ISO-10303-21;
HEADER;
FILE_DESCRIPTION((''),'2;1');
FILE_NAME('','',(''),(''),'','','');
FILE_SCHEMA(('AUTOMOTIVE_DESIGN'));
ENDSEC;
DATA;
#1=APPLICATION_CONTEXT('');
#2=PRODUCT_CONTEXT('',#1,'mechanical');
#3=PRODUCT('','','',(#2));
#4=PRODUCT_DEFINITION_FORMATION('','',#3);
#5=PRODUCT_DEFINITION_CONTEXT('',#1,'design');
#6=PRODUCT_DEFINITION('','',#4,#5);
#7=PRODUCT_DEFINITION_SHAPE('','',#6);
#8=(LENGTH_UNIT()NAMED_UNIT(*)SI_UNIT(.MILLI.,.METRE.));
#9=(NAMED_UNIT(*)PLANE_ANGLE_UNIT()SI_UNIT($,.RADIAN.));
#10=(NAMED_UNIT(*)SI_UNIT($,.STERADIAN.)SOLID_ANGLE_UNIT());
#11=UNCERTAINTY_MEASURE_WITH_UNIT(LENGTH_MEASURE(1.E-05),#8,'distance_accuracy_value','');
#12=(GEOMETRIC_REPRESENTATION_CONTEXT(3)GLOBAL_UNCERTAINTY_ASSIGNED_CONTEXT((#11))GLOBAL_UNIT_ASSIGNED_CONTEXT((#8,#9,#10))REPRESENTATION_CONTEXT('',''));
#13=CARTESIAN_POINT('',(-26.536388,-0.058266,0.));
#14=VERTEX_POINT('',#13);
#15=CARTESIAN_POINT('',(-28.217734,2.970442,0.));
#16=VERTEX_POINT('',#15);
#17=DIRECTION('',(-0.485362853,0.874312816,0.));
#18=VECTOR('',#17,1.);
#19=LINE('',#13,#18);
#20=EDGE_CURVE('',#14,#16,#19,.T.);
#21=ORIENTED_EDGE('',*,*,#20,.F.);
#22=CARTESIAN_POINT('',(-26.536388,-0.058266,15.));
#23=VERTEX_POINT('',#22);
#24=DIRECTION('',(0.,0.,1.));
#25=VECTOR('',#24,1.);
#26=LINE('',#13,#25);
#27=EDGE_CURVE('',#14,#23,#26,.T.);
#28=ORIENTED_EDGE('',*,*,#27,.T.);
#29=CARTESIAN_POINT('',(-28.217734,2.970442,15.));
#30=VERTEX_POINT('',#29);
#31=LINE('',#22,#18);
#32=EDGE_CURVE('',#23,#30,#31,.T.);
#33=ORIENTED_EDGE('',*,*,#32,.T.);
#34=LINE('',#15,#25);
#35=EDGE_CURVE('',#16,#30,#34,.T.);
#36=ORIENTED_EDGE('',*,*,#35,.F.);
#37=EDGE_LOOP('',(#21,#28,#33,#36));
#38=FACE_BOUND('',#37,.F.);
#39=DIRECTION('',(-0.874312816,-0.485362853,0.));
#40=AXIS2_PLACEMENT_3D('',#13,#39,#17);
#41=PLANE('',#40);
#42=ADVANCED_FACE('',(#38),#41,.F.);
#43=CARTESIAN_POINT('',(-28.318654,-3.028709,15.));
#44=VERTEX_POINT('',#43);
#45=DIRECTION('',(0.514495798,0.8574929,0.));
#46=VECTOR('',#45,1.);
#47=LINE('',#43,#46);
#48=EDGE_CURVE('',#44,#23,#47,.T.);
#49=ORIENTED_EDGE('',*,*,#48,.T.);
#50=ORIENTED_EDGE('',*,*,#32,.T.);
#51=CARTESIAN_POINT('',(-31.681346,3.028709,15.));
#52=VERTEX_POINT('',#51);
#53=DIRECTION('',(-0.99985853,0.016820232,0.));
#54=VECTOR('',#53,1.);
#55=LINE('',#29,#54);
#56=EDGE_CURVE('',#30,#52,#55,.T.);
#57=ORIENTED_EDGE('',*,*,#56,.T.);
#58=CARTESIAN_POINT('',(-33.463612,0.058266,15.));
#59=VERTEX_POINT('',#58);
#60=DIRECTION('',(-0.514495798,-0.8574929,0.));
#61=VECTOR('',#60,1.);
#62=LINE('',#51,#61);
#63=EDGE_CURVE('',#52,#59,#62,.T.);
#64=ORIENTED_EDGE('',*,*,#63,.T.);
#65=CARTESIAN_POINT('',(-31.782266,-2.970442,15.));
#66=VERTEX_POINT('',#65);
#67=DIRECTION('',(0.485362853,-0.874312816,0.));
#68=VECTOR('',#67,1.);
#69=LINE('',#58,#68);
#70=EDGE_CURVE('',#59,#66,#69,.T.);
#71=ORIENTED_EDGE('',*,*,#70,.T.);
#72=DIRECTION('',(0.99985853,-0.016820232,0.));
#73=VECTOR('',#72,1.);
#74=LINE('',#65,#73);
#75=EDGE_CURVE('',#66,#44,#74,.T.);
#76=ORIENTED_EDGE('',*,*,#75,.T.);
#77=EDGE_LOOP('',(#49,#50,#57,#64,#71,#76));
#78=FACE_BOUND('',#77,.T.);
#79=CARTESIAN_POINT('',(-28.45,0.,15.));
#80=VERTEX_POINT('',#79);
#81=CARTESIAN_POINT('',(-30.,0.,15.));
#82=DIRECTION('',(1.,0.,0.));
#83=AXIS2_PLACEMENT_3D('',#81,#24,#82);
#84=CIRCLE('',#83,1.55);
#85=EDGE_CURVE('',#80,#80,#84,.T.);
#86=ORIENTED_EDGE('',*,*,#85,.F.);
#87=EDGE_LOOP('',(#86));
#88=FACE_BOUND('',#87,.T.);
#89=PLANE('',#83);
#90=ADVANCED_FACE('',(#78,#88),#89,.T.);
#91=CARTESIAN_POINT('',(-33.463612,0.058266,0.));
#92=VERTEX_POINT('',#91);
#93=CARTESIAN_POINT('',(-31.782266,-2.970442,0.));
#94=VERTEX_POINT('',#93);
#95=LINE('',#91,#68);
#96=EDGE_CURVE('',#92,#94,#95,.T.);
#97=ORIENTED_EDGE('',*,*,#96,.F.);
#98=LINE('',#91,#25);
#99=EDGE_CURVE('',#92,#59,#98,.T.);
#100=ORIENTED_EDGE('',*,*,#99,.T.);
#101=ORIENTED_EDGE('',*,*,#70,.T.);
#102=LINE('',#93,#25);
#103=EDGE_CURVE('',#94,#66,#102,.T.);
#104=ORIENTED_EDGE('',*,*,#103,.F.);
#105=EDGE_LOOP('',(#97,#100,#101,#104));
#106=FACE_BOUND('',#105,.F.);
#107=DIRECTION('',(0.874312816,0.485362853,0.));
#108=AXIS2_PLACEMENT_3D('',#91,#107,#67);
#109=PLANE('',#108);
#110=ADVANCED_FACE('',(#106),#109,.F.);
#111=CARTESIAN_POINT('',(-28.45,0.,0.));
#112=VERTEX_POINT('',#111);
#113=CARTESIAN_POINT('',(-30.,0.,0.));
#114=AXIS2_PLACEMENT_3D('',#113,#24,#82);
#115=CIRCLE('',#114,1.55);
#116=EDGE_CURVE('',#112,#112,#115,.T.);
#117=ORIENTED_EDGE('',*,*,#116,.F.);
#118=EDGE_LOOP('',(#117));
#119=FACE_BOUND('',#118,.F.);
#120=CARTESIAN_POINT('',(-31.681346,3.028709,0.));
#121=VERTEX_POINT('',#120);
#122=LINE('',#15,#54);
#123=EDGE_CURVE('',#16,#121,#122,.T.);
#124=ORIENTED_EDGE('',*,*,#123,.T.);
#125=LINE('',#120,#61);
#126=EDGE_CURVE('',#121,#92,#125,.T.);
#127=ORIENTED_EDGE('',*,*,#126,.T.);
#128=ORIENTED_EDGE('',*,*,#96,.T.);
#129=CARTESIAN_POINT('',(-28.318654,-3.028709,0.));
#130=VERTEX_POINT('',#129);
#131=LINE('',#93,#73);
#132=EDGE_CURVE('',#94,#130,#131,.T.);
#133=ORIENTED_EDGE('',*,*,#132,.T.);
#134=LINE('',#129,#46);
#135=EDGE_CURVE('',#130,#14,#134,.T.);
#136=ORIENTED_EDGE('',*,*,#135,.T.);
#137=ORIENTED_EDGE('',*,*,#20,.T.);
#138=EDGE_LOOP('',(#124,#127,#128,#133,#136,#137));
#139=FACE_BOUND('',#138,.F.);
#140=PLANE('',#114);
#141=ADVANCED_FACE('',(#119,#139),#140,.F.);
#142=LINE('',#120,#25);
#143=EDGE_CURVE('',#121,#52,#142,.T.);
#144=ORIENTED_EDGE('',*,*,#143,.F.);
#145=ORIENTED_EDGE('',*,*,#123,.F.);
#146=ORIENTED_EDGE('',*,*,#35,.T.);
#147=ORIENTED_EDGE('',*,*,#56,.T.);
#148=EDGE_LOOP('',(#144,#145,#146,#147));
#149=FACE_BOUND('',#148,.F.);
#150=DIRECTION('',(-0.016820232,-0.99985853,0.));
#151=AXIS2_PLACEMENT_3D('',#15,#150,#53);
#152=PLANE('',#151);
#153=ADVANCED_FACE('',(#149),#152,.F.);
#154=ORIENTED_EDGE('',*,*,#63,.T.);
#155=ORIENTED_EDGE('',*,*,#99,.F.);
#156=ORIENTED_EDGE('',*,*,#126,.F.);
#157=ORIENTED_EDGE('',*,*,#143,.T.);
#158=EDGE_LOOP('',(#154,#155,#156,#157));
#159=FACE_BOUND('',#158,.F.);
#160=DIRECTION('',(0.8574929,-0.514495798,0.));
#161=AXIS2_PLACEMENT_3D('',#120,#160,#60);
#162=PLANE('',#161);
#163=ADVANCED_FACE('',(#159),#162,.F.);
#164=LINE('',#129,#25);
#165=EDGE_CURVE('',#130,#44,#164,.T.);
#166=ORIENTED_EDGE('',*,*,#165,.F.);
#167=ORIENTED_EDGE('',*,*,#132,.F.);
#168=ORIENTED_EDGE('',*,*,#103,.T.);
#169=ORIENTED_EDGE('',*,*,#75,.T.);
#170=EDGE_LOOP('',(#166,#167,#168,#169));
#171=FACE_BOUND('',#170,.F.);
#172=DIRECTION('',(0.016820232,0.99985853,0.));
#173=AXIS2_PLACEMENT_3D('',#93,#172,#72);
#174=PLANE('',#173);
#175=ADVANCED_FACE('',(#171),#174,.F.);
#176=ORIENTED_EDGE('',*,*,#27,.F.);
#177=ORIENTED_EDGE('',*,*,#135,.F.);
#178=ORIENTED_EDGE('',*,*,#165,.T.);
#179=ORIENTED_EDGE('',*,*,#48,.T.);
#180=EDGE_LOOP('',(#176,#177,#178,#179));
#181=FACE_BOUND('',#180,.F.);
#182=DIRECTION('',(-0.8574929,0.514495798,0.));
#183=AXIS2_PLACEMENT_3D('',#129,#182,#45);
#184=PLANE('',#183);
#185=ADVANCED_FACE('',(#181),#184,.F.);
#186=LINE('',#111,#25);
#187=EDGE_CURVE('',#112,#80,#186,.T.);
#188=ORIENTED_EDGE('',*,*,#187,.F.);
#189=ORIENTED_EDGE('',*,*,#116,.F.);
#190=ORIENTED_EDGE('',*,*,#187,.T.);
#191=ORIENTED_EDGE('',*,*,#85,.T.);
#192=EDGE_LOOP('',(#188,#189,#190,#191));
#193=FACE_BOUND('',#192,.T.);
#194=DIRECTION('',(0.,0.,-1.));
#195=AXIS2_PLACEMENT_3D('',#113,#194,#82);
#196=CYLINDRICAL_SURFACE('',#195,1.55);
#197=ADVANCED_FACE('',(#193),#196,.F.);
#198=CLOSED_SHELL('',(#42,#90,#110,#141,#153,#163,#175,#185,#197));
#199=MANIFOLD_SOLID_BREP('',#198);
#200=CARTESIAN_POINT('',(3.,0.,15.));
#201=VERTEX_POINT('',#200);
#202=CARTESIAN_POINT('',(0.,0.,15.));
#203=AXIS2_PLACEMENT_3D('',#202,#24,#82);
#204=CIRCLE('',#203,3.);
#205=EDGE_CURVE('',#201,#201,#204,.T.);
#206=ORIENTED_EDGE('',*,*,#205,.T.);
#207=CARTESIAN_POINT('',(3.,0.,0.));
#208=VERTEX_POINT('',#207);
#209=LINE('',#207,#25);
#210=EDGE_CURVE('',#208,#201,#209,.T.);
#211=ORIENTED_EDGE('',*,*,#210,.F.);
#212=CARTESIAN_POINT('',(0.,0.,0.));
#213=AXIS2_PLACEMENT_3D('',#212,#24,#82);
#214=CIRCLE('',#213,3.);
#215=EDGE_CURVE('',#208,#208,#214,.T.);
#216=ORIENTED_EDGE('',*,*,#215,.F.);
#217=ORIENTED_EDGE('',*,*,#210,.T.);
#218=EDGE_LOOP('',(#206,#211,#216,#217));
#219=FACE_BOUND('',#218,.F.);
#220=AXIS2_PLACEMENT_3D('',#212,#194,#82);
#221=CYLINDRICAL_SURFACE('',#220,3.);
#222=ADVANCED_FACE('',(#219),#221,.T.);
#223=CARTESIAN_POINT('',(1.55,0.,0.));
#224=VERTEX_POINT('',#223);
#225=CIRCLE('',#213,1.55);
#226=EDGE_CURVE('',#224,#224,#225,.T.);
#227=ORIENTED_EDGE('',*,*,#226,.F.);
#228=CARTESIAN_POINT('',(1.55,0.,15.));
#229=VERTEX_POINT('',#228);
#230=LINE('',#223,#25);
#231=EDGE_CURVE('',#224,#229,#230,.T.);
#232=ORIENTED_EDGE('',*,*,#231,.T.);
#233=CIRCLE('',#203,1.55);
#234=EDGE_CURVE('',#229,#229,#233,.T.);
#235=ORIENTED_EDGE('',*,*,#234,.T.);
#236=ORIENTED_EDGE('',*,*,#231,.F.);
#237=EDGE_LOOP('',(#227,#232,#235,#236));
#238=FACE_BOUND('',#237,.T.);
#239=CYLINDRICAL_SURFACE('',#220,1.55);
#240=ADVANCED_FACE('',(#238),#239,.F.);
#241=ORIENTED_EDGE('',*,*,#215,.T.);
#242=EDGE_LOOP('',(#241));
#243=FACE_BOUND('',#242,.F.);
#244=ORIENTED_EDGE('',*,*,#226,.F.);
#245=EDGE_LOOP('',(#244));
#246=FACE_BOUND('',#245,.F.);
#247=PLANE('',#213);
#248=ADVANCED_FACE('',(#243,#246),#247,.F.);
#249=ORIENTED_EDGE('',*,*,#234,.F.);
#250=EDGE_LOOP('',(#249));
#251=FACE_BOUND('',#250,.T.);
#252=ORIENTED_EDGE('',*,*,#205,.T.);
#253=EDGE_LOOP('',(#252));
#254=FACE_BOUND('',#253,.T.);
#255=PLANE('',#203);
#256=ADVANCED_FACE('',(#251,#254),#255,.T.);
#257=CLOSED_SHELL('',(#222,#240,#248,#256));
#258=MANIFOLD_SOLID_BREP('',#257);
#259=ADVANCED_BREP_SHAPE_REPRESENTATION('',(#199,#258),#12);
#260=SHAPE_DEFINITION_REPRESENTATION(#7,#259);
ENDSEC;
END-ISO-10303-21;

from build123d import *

# Parameters (mm, degrees)
F0_R     = 3
F0_R_2   = 1.55
F1_DEPTH = 15


with BuildPart() as f1:
    # F0 (on Top) → F1 (new body)
    with BuildSketch(Plane.XY):
        Circle(F0_R)
        Circle(F0_R_2, mode=Mode.SUBTRACT)
        Polygon((-28.318654, -3.028709), (-26.536388, -0.058266), (-28.217734, 2.970442), (-31.681346, 3.028709), (-33.463612, 0.058266), (-31.782266, -2.970442), align=None)
        with Locations((-30, 0)):
            Circle(F0_R_2, mode=Mode.SUBTRACT)
    extrude(amount=F1_DEPTH)


solid = f1.part
